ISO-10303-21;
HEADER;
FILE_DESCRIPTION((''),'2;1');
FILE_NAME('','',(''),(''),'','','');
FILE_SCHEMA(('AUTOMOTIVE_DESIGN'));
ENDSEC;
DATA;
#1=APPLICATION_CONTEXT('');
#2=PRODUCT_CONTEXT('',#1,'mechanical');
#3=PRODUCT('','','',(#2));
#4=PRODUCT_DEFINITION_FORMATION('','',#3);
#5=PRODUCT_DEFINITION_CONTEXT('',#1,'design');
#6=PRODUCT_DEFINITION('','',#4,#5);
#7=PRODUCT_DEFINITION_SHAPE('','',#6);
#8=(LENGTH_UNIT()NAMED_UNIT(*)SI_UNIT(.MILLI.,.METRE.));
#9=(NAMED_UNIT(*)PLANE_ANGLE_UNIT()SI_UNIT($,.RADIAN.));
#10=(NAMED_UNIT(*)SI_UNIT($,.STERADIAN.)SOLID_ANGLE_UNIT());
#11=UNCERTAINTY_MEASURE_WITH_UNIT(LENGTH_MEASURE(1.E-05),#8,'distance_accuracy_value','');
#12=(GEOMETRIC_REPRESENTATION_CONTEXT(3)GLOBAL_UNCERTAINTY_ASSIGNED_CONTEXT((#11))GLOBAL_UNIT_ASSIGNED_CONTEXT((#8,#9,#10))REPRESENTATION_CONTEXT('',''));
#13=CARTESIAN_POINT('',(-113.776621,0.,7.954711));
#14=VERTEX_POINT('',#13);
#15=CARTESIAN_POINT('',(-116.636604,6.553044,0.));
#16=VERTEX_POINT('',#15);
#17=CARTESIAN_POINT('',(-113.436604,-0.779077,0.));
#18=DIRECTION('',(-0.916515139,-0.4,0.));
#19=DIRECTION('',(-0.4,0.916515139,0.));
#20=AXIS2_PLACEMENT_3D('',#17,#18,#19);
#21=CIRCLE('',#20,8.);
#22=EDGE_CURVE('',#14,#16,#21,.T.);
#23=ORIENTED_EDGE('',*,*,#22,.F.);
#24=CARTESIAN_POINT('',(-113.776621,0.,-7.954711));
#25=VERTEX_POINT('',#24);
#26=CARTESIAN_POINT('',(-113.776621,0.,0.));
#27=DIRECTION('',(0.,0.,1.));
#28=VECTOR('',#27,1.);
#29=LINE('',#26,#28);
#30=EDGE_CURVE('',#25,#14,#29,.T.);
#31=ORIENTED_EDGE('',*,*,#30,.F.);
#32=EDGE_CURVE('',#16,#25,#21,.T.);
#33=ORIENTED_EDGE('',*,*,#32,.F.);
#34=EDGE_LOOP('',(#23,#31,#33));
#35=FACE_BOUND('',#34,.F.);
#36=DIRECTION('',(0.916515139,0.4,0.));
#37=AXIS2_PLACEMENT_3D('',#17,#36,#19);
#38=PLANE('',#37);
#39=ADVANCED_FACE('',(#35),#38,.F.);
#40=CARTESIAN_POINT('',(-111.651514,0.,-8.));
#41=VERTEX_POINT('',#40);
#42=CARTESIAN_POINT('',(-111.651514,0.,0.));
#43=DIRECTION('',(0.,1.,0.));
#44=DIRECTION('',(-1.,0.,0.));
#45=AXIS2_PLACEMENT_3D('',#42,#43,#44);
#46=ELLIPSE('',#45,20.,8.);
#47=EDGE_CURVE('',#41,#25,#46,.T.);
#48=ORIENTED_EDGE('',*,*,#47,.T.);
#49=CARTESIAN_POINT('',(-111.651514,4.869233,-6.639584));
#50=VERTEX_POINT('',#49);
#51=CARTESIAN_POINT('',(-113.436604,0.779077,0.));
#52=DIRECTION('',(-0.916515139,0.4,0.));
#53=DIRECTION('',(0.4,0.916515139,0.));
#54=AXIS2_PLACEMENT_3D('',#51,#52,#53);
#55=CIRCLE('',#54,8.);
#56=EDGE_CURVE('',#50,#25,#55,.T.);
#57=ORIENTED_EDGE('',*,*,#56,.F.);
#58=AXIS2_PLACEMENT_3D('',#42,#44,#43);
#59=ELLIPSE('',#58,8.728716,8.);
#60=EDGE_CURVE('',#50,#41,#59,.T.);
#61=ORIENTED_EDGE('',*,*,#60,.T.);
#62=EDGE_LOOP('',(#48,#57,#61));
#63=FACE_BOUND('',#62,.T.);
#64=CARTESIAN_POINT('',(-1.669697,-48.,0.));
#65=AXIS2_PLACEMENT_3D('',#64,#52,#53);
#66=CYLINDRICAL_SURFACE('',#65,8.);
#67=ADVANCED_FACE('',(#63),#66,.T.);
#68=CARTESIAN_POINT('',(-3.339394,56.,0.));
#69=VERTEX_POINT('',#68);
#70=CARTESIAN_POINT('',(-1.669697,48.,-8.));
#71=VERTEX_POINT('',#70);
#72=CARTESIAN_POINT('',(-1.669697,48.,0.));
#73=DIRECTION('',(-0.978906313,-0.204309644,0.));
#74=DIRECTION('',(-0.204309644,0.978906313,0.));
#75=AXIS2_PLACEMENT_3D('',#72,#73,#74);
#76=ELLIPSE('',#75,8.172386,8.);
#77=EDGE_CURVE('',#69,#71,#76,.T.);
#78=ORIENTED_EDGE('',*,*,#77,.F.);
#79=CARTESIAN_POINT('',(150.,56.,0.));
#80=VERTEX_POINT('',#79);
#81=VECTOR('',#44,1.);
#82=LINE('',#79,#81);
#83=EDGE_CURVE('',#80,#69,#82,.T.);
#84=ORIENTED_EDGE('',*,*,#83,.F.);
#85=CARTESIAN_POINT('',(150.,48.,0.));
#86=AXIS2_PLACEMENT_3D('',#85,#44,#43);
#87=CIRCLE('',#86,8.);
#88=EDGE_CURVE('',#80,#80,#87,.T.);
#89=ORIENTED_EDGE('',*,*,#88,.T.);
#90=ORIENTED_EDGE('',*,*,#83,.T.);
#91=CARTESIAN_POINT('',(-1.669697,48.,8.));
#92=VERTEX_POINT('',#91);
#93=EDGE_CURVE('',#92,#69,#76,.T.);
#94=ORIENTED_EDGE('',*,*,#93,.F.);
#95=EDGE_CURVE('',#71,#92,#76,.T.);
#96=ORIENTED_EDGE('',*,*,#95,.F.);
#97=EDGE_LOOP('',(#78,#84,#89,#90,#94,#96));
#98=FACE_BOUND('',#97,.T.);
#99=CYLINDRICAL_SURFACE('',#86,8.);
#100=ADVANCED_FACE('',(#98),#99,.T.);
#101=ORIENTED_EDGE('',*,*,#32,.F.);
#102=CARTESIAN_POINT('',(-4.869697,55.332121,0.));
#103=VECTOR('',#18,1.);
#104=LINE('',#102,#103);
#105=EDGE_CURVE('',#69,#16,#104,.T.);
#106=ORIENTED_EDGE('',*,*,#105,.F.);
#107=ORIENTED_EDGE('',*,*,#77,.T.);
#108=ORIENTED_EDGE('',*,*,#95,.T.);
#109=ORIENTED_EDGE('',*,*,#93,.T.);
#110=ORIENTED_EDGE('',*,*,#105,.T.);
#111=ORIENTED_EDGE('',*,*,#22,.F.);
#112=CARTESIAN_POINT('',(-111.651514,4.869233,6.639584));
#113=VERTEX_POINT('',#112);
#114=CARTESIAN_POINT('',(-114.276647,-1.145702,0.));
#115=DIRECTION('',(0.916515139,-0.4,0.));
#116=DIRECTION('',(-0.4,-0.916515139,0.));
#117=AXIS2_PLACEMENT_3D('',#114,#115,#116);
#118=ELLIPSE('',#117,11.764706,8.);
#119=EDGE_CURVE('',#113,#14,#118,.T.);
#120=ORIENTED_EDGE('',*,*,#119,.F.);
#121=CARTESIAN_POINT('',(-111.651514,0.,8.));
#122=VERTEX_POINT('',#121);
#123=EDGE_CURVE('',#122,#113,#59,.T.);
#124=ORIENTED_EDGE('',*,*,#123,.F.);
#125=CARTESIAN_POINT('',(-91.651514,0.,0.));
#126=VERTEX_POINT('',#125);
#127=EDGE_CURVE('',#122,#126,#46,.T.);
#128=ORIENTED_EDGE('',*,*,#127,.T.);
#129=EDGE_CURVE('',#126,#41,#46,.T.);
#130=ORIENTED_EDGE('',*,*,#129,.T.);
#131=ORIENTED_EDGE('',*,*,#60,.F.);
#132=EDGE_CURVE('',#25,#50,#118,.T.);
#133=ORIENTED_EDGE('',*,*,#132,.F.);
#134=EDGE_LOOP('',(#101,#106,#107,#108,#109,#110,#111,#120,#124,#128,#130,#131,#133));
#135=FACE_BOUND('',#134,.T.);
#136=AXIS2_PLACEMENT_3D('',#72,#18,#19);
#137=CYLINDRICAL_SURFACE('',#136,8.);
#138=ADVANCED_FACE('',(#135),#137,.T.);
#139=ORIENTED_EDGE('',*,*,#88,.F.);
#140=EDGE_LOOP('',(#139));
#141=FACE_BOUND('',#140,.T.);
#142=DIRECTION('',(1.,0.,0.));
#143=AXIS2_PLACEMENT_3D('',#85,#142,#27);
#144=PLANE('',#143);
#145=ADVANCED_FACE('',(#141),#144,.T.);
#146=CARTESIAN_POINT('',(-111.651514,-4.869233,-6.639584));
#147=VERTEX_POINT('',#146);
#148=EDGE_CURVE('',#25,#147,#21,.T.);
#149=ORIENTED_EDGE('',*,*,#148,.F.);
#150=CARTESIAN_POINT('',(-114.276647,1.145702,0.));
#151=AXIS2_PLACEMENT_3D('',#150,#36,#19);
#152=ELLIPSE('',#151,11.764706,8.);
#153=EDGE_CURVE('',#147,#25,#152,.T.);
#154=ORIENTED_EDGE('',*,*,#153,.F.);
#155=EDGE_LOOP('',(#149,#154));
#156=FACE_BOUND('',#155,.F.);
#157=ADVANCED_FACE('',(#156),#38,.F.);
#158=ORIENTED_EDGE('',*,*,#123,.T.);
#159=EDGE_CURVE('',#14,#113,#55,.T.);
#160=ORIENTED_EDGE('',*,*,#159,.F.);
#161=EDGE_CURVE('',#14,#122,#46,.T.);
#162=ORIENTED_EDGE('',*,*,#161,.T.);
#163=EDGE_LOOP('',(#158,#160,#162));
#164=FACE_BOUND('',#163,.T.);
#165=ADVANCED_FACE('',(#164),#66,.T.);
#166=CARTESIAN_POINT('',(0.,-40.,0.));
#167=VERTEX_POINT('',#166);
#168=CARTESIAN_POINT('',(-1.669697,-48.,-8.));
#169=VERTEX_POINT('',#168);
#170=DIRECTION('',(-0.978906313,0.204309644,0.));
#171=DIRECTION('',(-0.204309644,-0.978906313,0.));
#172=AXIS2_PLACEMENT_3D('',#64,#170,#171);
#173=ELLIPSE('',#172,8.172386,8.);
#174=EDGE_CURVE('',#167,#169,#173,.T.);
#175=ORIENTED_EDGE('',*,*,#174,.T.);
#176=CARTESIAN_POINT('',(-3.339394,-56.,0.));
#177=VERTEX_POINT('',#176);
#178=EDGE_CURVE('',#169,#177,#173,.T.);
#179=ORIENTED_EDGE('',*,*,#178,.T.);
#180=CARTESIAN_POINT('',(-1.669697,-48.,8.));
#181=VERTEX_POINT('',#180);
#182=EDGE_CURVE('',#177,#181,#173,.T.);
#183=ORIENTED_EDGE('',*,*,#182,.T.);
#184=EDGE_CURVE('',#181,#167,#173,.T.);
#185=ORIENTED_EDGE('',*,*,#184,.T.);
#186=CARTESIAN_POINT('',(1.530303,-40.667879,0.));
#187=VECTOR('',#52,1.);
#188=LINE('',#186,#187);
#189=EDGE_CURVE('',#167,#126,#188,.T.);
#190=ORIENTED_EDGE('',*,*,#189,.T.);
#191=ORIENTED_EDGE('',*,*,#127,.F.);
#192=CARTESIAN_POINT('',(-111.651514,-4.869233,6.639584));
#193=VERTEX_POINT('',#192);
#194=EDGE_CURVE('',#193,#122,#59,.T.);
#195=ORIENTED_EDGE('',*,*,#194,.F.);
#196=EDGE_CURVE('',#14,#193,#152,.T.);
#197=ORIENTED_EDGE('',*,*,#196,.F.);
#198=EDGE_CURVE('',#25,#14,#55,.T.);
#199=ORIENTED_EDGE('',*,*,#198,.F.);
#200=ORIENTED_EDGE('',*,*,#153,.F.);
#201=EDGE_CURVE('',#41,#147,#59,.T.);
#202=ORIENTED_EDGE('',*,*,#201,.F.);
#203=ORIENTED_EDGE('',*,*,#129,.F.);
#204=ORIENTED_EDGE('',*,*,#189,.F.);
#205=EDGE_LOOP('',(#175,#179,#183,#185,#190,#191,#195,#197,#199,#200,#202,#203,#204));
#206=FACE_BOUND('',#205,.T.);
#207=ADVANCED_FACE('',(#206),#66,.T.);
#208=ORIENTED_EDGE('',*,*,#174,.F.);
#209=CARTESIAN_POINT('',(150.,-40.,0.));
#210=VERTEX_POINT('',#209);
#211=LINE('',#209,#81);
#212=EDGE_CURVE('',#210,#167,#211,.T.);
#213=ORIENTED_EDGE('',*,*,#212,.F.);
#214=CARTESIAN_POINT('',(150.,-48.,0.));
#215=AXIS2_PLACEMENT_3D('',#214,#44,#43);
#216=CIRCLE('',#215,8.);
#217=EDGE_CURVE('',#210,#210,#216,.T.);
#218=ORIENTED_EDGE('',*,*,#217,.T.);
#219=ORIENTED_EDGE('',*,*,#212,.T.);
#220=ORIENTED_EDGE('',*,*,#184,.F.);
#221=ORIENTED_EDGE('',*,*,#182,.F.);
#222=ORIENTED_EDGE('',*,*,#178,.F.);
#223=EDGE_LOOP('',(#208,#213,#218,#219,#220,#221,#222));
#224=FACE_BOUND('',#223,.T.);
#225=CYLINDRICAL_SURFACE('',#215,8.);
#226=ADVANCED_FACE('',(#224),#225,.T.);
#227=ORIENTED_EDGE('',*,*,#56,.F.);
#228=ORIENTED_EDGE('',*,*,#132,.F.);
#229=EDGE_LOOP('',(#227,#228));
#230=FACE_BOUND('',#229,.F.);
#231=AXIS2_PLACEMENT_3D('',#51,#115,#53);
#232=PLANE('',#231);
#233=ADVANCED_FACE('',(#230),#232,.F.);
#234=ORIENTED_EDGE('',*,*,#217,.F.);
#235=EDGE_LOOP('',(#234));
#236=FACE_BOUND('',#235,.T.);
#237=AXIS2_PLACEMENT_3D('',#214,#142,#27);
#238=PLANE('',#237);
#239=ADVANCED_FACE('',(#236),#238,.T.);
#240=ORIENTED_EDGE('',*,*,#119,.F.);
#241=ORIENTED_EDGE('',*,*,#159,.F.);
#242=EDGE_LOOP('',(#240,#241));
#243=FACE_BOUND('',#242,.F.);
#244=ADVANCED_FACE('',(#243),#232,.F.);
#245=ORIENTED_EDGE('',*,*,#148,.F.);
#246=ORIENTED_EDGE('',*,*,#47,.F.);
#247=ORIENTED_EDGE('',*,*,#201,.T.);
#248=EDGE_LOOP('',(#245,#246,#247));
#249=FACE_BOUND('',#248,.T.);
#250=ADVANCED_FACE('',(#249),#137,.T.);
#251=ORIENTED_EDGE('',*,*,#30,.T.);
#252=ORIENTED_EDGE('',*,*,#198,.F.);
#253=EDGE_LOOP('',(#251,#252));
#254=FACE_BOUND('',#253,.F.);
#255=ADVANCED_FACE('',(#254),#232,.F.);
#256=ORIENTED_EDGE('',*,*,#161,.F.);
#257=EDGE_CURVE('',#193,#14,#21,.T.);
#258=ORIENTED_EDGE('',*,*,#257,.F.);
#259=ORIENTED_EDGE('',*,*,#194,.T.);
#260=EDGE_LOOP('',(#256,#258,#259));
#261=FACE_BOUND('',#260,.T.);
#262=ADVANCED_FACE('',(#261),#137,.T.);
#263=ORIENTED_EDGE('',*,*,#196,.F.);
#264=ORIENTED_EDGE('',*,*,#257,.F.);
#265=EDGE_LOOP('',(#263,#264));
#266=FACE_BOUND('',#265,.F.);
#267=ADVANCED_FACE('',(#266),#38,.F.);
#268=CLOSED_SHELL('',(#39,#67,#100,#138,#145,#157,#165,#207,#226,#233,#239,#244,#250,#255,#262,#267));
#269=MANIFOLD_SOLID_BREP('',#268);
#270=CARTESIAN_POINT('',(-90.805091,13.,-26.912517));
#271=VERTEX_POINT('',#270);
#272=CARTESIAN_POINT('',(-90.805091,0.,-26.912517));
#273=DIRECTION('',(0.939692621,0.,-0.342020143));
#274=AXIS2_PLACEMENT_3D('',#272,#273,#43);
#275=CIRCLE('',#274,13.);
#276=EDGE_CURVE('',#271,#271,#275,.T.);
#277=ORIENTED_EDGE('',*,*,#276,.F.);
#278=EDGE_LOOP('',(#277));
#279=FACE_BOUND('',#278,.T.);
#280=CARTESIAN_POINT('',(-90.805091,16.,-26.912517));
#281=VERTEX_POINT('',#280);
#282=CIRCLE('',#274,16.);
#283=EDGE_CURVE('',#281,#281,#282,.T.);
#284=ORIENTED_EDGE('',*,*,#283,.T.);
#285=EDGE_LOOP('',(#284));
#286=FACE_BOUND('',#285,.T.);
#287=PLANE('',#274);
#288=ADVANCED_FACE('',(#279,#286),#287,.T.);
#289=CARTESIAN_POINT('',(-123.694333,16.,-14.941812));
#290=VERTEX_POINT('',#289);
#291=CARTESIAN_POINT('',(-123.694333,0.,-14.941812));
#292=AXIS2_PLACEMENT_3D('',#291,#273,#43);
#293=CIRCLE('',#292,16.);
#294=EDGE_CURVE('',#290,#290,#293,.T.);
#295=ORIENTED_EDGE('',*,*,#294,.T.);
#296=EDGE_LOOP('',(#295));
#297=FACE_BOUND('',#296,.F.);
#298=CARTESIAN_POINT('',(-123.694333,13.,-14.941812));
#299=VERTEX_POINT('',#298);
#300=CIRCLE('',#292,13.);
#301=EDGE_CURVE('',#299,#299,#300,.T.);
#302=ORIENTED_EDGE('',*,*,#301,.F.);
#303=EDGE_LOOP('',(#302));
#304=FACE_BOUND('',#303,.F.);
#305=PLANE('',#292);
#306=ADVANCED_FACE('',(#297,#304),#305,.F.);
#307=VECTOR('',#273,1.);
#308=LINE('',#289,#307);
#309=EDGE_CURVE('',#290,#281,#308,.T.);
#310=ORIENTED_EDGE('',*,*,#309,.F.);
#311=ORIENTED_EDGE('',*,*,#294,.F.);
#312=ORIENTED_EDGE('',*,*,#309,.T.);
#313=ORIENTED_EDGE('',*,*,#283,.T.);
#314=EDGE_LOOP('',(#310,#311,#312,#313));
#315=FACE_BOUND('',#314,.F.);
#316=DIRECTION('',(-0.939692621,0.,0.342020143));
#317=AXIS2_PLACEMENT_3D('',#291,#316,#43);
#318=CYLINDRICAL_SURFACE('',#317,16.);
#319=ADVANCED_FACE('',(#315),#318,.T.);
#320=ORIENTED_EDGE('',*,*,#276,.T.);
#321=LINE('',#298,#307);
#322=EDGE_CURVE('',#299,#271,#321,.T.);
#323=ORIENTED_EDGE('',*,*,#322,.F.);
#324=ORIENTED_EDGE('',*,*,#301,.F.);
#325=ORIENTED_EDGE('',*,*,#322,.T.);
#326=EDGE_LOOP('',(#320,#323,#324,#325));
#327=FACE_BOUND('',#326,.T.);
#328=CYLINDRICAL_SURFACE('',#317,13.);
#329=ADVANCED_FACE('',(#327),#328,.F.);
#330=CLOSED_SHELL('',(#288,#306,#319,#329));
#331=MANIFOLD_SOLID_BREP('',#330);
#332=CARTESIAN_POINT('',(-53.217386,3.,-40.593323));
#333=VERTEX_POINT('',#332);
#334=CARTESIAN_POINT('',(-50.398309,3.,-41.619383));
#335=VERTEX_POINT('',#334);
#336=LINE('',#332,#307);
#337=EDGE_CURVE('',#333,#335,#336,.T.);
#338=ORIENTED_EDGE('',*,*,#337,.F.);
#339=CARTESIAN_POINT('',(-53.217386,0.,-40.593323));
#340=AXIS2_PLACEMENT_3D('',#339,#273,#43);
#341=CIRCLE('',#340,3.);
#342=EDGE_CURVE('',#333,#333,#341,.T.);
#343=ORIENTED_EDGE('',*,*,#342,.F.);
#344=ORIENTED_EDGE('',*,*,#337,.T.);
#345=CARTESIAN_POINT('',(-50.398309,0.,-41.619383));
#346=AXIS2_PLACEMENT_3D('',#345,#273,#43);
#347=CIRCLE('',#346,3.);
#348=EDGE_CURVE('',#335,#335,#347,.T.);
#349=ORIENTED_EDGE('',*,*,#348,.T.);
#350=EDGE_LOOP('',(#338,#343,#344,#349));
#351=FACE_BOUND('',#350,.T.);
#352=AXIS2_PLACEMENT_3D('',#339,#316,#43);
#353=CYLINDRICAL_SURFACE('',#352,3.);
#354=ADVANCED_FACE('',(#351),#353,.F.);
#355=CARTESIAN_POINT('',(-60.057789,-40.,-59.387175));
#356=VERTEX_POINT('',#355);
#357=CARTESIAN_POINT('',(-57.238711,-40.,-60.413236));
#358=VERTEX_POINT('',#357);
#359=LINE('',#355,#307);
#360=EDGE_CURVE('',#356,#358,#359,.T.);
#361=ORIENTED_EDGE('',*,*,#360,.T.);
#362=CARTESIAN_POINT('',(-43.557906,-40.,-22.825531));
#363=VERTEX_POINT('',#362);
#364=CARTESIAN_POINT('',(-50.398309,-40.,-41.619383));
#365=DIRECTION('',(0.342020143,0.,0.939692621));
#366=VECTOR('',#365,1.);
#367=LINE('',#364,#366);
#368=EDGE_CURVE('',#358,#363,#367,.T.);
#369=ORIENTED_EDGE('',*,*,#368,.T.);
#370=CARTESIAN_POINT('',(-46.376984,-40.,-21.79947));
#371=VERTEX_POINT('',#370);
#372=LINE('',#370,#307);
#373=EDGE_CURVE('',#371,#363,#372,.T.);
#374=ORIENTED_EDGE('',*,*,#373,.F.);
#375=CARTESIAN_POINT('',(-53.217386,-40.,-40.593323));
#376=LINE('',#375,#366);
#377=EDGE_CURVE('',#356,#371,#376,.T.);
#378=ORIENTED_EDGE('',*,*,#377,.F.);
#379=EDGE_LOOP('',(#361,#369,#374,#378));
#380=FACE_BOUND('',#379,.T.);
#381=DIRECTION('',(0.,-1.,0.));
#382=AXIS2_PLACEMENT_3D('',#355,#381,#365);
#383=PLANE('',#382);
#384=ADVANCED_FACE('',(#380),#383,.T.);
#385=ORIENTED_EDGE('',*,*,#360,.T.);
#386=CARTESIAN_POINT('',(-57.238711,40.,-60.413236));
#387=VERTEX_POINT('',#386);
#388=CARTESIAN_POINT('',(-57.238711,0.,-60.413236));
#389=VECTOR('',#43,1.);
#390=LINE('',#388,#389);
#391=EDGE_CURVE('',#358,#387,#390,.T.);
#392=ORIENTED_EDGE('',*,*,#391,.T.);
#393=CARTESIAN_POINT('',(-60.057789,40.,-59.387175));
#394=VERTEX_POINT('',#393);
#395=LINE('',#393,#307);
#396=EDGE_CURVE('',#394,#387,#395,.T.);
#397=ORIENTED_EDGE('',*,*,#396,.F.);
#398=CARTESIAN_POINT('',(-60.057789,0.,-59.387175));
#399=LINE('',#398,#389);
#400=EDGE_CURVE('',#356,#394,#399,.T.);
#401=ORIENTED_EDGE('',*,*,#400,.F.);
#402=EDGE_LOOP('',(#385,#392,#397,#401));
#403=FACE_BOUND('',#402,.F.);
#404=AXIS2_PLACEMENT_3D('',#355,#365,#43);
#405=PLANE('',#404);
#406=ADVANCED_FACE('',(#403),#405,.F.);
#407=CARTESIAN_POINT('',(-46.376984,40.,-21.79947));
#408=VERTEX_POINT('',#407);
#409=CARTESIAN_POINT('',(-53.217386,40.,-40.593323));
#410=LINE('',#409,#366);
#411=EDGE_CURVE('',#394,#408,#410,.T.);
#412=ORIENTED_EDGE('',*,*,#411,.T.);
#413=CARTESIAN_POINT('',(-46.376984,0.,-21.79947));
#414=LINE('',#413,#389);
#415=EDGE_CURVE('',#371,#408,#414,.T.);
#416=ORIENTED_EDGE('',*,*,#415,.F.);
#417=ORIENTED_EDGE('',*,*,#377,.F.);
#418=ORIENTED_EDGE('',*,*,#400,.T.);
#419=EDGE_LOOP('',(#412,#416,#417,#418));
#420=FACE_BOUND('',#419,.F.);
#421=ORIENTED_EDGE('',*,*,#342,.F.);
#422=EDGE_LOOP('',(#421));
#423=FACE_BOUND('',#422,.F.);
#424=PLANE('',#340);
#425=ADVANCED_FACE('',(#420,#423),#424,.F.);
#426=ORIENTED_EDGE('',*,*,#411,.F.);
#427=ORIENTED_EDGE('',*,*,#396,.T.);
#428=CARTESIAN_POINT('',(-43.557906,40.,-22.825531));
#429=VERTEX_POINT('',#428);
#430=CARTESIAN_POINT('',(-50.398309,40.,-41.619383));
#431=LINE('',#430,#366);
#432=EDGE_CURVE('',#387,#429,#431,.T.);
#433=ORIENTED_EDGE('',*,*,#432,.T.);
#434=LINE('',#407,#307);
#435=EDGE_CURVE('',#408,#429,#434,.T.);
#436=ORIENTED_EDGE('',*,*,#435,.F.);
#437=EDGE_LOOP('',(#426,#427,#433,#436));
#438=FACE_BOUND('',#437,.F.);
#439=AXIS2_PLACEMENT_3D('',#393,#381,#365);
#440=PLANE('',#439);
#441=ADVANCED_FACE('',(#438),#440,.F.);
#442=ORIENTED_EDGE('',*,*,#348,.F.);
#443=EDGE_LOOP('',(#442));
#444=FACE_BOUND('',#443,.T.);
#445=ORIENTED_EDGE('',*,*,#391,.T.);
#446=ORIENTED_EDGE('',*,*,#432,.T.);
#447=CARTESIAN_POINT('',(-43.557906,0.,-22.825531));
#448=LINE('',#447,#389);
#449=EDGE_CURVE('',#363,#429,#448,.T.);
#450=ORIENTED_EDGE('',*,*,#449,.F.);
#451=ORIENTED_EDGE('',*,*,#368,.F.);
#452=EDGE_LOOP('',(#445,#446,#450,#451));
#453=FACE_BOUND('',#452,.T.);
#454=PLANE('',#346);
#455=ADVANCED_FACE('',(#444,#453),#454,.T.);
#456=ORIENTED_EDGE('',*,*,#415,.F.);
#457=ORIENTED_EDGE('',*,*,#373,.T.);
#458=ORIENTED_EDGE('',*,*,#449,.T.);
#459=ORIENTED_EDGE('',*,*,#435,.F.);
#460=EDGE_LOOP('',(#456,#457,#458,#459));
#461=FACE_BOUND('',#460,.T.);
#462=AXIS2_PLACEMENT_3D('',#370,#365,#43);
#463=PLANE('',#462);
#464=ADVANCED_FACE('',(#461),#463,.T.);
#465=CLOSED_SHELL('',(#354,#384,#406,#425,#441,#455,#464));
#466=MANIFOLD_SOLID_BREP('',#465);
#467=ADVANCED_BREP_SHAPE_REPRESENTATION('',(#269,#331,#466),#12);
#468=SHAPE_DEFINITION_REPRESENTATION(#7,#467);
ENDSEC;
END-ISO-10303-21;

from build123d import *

# Parameters (mm, degrees)
F2_R      = 8
F8_R      = 16
F8_R_2    = 13
F9_DEPTH  = 35
F12_W     = 80
F12_H     = 40
F12_R     = 3
F13_DEPTH = 3


with BuildPart() as f3:
    # F3: sweep along a path in F0
    with BuildLine(Plane.XY) as f3_path:
        Line((150, -48), (-1.6696972202, -48))
        Line((-1.6696972202, -48), (-113.4366041888, 0.7790772738))
    # F2 (on line) → F3 (sweep)
    with BuildSketch(Plane.YZ.offset(150)):
        with Locations((-48, 0)):
            Circle(F2_R)
    sweep(path=f3_path.line, transition=Transition.RIGHT)

    # F4: sweep along a path in F0
    with BuildLine(Plane.XY) as f4_path:
        Line((150, 48), (-1.6696972202, 48))
        Line((-1.6696972202, 48), (-113.4366041888, -0.7790772738))
    # F2 (on line) → F4 (sweep)
    with BuildSketch(Plane.YZ.offset(150)):
        with Locations((48, 0)):
            Circle(F2_R)
    sweep(path=f4_path.line, transition=Transition.RIGHT)


with BuildPart() as f9:
    # F8 (on line) → F9 (new body)
    with BuildSketch(Plane(origin=(-104.4226389321, 0, 38.0067323548), x_dir=(0, 1, 0), z_dir=(0.9396926208, 0, -0.3420201433))):
        with Locations((0, -56.3466639198)):
            Circle(F8_R)
        with Locations((0, -56.3466639198)):
            Circle(F8_R_2, mode=Mode.SUBTRACT)
    extrude(amount=F9_DEPTH)


with BuildPart() as f13:
    # F12 (on offset) → F13 (new body)
    with BuildSketch(Plane(origin=(-33.9456923732, 0, 12.3552216054), x_dir=(0, 1, 0), z_dir=(0.9396926208, 0, -0.3420201433))):
        with Locations((0, -56.3466639198)):
            Rectangle(F12_W, F12_H)
        with Locations((0, -56.3466639198)):
            Circle(F12_R, mode=Mode.SUBTRACT)
    extrude(amount=F13_DEPTH)


solid = Compound([f3.part, f9.part, f13.part])
